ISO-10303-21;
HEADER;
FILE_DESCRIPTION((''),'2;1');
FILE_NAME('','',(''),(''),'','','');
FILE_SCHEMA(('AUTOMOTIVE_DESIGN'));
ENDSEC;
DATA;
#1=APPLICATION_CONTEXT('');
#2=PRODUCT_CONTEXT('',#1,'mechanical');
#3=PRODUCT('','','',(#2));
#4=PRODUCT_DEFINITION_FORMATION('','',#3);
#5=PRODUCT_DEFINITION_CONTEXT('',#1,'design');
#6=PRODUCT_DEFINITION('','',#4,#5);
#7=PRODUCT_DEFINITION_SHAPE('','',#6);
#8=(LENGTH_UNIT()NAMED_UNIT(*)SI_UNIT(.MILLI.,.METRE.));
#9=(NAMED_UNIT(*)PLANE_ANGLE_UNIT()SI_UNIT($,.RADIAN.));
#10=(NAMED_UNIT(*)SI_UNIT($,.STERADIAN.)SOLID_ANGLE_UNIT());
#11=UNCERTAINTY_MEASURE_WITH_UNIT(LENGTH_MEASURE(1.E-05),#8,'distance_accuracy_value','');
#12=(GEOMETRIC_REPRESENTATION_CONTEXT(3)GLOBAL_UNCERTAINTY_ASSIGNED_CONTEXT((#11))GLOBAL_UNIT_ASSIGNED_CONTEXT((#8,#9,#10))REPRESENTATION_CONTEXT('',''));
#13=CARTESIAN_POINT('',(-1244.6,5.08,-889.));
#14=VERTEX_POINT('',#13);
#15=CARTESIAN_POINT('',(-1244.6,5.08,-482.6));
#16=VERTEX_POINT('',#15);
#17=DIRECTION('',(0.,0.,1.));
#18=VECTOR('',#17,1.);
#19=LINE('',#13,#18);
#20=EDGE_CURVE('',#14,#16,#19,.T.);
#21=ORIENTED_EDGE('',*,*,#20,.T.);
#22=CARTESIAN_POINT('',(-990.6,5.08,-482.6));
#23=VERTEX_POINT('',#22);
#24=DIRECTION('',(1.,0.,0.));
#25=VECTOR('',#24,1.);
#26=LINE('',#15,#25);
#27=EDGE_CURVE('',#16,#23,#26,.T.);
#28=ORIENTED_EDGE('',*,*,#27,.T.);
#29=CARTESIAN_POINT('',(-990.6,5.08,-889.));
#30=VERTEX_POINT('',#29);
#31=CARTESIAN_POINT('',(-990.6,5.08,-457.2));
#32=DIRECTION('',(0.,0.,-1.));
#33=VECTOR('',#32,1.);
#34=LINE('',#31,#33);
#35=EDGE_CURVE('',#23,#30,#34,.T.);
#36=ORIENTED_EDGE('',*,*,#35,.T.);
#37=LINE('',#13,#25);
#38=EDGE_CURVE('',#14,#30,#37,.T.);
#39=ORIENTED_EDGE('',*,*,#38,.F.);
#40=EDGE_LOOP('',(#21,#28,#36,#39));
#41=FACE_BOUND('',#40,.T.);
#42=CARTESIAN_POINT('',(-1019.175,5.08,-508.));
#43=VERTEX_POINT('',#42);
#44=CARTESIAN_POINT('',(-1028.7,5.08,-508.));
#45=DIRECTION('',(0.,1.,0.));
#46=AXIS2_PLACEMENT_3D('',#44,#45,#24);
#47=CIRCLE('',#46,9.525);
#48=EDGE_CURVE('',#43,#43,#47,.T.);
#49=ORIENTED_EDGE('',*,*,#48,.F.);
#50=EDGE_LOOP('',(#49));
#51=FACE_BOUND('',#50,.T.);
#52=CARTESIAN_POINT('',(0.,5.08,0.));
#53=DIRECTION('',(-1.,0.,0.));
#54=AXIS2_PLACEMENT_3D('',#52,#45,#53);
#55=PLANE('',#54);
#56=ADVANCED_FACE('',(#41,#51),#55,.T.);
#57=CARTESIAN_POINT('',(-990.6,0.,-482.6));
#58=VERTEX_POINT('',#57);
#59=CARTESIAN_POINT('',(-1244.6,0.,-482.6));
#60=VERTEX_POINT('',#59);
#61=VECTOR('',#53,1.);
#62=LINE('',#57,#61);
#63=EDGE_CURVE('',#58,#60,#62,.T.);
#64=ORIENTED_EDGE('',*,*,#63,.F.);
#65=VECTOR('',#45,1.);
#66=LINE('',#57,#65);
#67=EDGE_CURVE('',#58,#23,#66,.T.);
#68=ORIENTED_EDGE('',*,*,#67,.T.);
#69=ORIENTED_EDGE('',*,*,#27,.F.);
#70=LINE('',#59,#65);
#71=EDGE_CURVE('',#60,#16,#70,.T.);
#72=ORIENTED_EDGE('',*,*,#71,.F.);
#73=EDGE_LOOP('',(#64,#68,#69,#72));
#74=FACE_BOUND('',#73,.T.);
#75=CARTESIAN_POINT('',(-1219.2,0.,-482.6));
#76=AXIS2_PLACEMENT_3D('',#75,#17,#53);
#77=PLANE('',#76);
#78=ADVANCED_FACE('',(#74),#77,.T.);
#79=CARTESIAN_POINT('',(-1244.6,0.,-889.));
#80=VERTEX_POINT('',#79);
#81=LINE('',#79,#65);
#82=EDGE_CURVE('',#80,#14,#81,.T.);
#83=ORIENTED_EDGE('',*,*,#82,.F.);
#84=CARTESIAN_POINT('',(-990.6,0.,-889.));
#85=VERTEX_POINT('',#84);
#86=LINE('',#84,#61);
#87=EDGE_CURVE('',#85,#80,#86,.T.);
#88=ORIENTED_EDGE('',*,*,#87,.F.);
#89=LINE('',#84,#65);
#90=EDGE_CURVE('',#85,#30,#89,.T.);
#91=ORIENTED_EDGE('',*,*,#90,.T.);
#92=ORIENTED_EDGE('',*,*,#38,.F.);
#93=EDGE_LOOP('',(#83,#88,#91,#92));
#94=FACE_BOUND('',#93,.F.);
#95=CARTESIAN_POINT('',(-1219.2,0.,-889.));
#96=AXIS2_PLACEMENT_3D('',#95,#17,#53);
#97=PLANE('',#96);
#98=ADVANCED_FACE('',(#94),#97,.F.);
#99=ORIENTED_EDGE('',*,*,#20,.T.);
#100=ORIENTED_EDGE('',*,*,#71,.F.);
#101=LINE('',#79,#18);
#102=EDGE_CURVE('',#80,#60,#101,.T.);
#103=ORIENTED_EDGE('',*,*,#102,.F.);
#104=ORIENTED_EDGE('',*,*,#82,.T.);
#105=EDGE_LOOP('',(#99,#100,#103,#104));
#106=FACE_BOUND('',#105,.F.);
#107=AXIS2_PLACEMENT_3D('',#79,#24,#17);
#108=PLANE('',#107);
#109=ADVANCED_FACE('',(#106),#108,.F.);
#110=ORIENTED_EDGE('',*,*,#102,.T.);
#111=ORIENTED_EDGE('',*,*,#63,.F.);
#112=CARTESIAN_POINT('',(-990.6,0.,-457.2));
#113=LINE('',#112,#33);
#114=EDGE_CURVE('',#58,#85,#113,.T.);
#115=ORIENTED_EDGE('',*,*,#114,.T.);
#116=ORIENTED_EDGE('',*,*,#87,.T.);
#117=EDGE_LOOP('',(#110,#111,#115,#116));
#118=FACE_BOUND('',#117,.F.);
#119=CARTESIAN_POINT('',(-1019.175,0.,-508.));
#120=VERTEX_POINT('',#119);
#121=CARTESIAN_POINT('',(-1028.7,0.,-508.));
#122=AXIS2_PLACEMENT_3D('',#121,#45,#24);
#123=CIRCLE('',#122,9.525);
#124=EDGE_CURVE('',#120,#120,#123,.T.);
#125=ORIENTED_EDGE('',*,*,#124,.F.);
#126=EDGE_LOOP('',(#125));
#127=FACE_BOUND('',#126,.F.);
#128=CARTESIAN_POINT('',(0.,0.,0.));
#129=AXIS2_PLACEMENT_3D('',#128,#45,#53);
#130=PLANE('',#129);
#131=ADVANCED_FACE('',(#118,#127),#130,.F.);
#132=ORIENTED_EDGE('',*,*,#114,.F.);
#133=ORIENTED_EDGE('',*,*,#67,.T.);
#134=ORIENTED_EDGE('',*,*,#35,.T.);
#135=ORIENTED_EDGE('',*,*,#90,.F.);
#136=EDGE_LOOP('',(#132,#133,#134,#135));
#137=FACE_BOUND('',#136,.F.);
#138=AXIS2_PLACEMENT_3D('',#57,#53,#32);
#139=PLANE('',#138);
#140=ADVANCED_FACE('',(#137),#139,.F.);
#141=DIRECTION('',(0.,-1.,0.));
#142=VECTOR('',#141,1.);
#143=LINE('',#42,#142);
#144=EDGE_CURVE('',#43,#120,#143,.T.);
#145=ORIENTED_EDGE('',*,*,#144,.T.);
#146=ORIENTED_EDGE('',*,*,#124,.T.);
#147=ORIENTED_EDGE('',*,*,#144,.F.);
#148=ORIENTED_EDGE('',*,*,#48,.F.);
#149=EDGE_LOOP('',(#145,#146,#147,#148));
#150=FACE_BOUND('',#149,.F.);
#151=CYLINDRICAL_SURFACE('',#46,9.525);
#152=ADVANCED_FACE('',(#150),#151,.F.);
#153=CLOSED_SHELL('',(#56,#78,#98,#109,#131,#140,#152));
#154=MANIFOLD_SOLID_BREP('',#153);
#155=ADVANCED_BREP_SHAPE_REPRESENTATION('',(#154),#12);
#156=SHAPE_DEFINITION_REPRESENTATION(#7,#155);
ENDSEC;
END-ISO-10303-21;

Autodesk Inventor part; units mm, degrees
ref_plane "YZ Plane" through (0, 0, 0) normal (1, 0, 0) x (0, 1, 0)
ref_plane "XZ Plane" through (0, 0, 0) normal (0, 1, 0) x (-1, 0, 0)
ref_plane "XY Plane" through (0, 0, 0) normal (0, 0, 1) x (1, 0, 0)
sketch "Sketch1" plane through (0, 0, 0) normal (0, 1, 0) x (-1, 0, 0)
  line L0 (6.35, 0) -> (1365.25, 0)
  line L1 (1371.6, -6.35) -> (1371.6, -1365.25)
  line L2 (1365.25, -1371.6) -> (6.35, -1371.6)
  line L3 (0, -1365.25) -> (0, -6.35)
  line L4 (1346.2, -1346.2) -> (1346.2, -25.4)
  line L5 (1346.2, -25.4) -> (25.4, -25.4)
  line L6 (25.4, -25.4) -> (25.4, -1346.2)
  line L7 (25.4, -1346.2) -> (1346.2, -1346.2)
  line L8 (1320.8, -50.8) -> (1320.8, -1320.8)
  line L9 (1320.8, -1320.8) -> (50.8, -1320.8)
  line L10 (50.8, -1320.8) -> (50.8, -50.8)
  line L11 (50.8, -50.8) -> (1320.8, -50.8)
  line L12 (1320.8, -50.8) -> (1346.2, -25.4)
  line L13 (1320.8, -1320.8) -> (1346.2, -1346.2)
  line L14 (50.8, -1320.8) -> (25.4, -1346.2)
  line L15 (50.8, -50.8) -> (25.4, -25.4)
  line L16 (1219.2, -482.6) -> (1016, -482.6)
  line L17 (1016, -482.6) -> (1016, -889)
  line L18 (1016, -889) -> (1219.2, -889)
  line L19 (1219.2, -889) -> (1219.2, -482.6)
  line L20 (355.6, -482.6) -> (152.4, -482.6)
  line L21 (152.4, -482.6) -> (152.4, -889)
  line L22 (152.4, -889) -> (355.6, -889)
  line L23 (355.6, -889) -> (355.6, -482.6)
  line L24 (889, -1016) -> (482.6, -1016)
  line L25 (482.6, -1016) -> (482.6, -1219.2)
  line L26 (482.6, -1219.2) -> (889, -1219.2)
  line L27 (889, -1219.2) -> (889, -1016)
  line L28 (889, -152.4) -> (482.6, -152.4)
  line L29 (482.6, -152.4) -> (482.6, -355.6)
  line L30 (482.6, -355.6) -> (889, -355.6)
  line L31 (889, -355.6) -> (889, -152.4)
  circle A0 centre (685.8, -685.8) radius 254
  line L32 (889, -127) -> (482.6, -127)
  line L33 (457.2, -127) -> (457.2, -381)
  line L34 (457.2, -381) -> (914.4, -381)
  line L35 (914.4, -381) -> (914.4, -127)
  line L36 (1244.6, -457.2) -> (990.6, -457.2)
  line L37 (990.6, -457.2) -> (990.6, -914.4)
  line L38 (990.6, -914.4) -> (1244.6, -914.4)
  line L39 (1244.6, -889) -> (1244.6, -482.6)
  line L40 (914.4, -990.6) -> (457.2, -990.6)
  line L41 (457.2, -990.6) -> (457.2, -1244.6)
  line L42 (482.6, -1244.6) -> (889, -1244.6)
  line L43 (914.4, -1244.6) -> (914.4, -990.6)
  line L44 (381, -457.2) -> (127, -457.2)
  line L45 (127, -482.6) -> (127, -889)
  line L46 (127, -914.4) -> (381, -914.4)
  line L47 (381, -914.4) -> (381, -457.2)
  line L48 (152.4, -482.6) -> (50.8, -482.6)
  line L49 (127, -457.2) -> (50.8, -457.2)
  line L50 (152.4, -889) -> (50.8, -889)
  line L51 (127, -914.4) -> (50.8, -914.4)
  line L52 (355.6, -889) -> (381, -889)
  line L53 (355.6, -482.6) -> (381, -482.6)
  line L54 (457.2, -1244.6) -> (457.2, -1320.8)
  line L55 (482.6, -1219.2) -> (482.6, -1320.8)
  line L56 (889, -1219.2) -> (889, -1320.8)
  line L57 (914.4, -1244.6) -> (914.4, -1320.8)
  line L58 (1244.6, -914.4) -> (1320.8, -914.4)
  line L59 (1219.2, -889) -> (1320.8, -889)
  line L60 (1219.2, -482.6) -> (1320.8, -482.6)
  line L61 (1244.6, -457.2) -> (1320.8, -457.2)
  line L62 (889, -152.4) -> (889, -50.8)
  line L63 (914.4, -127) -> (914.4, -50.8)
  line L64 (482.6, -152.4) -> (482.6, -50.8)
  line L65 (457.2, -127) -> (457.2, -50.8)
  line L66 (889, -1016) -> (889, -990.6)
  line L67 (482.6, -1016) -> (482.6, -990.6)
  line L68 (1016, -889) -> (990.6, -889)
  line L69 (1016, -482.6) -> (990.6, -482.6)
  line L70 (889, -355.6) -> (889, -381)
  line L71 (482.6, -355.6) -> (482.6, -381)
  line L72 (914.4, -381) -> (990.6, -457.2)
  line L73 (990.6, -482.6) -> (889, -381)
  line L74 (990.6, -914.4) -> (914.4, -990.6)
  line L75 (889, -990.6) -> (990.6, -889)
  line L76 (381, -914.4) -> (457.2, -990.6)
  line L77 (482.6, -990.6) -> (381, -889)
  line L78 (457.2, -381) -> (381, -457.2)
  line L79 (482.6, -381) -> (381, -482.6)
  line L80 (1257.3, -50.8) -> (1320.8, -114.3)
  line L81 (1320.8, -1257.3) -> (1257.3, -1320.8)
  line L82 (50.8, -1257.3) -> (114.3, -1320.8)
  line L83 (50.8, -114.3) -> (114.3, -50.8)
  line L84 (68.7605, -132.2605) -> (132.2605, -68.7605)
  line L85 (68.7605, -1239.3395) -> (132.2605, -1302.8395)
  line L86 (1302.8395, -1239.3395) -> (1239.3395, -1302.8395)
  line L87 (1239.3395, -68.7605) -> (1302.8395, -132.2605)
  line L88 (1302.8395, -132.2605) -> (1320.8, -150.221)
  line L89 (1239.3395, -68.7605) -> (1221.379, -50.8)
  line L90 (1302.8395, -1239.3395) -> (1320.8, -1221.379)
  line L91 (1239.3395, -1302.8395) -> (1221.379, -1320.8)
  line L92 (132.2605, -1302.8395) -> (150.221, -1320.8)
  line L93 (68.7605, -1239.3395) -> (50.8, -1221.379)
  line L94 (132.2605, -68.7605) -> (150.221, -50.8)
  line L95 (68.7605, -132.2605) -> (50.8, -150.221)
  line L96 (1365.25, 0) -> (1371.6, -6.35)
  line L97 (1371.6, -1365.25) -> (1365.25, -1371.6)
  line L98 (6.35, -1371.6) -> (0, -1365.25)
  line L99 (6.35, 0) -> (0, -6.35)
  point P0 (0, 0)
  point P1 (1371.6, -1371.6)
  point P2 (1371.6, 0)
  point P3 (0, -1371.6)
  dimension "d0" = 1371.6
  dimension "d1" = 1371.6
  dimension "d2" = 25.4
  dimension "d3" = 25.4
  dimension "d4" = 203.2
  dimension "d5" = 406.4
  dimension "d6" = 203.2
  dimension "d7" = 406.4
  dimension "d8" = 406.4
  dimension "d9" = 203.2
  dimension "d10" = 406.4
  dimension "d11" = 203.2
  dimension "d12" = 101.6
  dimension "d13" = 101.6
  dimension "d14" = 101.6
  dimension "d15" = 101.6
  dimension "d16" = 431.8
  dimension "d17" = 431.8
  dimension "d18" = 431.8
  dimension "d19" = 431.8
  dimension "d20" = 508
  dimension "d21" = 25.4
  dimension "d22" = 25.4
  dimension "d23" = 25.4
  dimension "d24" = 25.4
  dimension "d25" = 45
  dimension "d26" = 63.5
  dimension "d27" = 45
  dimension "d28" = 45
  dimension "d29" = 45
  dimension "d30" = 25.4
  dimension "d31" = 25.4
  dimension "d32" = 25.4
  dimension "d33" = 25.4
  dimension "d34" = 6.35
  dimension "d35" = 6.35
  dimension "d36" = 6.35
  dimension "d37" = 6.35
  dimension "d38" = 6.35
  dimension "d39" = 6.35
  dimension "d40" = 6.35
  dimension "d41" = 6.35
extrude "Extrusion1" add sketch "Sketch1" along normal blind 5.08 contours L59 L19 L60 L39 | L18 L17 L16 L19 | L37 L69 L17 L68
sketch "Sketch2" plane through (0, 5.08, 0) normal (0, 1, 0) x (1, 0, 0)
  circle A0 centre (-1028.7, 508) radius 9.525
  line L0 (-990.6, 482.6) -> (-990.6, 889) projected
  line L1 (-1244.6, 482.6) -> (-990.6, 482.6) projected
  point P0 (0, 0)
  dimension "d47" = 19.05
  dimension "d48" = 38.1
  dimension "d49" = 25.4
extrude "Extrusion2" cut sketch "Sketch2" against normal blind 25.4
equation "\"d35\" = d34"
equation "\"d36\" = d34"
equation "\"d37\" = d36"
equation "\"d38\" = d34"
equation "\"d39\" = d38"
equation "\"d40\" = d34"
equation "\"d41\" = d40"
properties part number "Glass panal for the opening X4" material "Glass"
